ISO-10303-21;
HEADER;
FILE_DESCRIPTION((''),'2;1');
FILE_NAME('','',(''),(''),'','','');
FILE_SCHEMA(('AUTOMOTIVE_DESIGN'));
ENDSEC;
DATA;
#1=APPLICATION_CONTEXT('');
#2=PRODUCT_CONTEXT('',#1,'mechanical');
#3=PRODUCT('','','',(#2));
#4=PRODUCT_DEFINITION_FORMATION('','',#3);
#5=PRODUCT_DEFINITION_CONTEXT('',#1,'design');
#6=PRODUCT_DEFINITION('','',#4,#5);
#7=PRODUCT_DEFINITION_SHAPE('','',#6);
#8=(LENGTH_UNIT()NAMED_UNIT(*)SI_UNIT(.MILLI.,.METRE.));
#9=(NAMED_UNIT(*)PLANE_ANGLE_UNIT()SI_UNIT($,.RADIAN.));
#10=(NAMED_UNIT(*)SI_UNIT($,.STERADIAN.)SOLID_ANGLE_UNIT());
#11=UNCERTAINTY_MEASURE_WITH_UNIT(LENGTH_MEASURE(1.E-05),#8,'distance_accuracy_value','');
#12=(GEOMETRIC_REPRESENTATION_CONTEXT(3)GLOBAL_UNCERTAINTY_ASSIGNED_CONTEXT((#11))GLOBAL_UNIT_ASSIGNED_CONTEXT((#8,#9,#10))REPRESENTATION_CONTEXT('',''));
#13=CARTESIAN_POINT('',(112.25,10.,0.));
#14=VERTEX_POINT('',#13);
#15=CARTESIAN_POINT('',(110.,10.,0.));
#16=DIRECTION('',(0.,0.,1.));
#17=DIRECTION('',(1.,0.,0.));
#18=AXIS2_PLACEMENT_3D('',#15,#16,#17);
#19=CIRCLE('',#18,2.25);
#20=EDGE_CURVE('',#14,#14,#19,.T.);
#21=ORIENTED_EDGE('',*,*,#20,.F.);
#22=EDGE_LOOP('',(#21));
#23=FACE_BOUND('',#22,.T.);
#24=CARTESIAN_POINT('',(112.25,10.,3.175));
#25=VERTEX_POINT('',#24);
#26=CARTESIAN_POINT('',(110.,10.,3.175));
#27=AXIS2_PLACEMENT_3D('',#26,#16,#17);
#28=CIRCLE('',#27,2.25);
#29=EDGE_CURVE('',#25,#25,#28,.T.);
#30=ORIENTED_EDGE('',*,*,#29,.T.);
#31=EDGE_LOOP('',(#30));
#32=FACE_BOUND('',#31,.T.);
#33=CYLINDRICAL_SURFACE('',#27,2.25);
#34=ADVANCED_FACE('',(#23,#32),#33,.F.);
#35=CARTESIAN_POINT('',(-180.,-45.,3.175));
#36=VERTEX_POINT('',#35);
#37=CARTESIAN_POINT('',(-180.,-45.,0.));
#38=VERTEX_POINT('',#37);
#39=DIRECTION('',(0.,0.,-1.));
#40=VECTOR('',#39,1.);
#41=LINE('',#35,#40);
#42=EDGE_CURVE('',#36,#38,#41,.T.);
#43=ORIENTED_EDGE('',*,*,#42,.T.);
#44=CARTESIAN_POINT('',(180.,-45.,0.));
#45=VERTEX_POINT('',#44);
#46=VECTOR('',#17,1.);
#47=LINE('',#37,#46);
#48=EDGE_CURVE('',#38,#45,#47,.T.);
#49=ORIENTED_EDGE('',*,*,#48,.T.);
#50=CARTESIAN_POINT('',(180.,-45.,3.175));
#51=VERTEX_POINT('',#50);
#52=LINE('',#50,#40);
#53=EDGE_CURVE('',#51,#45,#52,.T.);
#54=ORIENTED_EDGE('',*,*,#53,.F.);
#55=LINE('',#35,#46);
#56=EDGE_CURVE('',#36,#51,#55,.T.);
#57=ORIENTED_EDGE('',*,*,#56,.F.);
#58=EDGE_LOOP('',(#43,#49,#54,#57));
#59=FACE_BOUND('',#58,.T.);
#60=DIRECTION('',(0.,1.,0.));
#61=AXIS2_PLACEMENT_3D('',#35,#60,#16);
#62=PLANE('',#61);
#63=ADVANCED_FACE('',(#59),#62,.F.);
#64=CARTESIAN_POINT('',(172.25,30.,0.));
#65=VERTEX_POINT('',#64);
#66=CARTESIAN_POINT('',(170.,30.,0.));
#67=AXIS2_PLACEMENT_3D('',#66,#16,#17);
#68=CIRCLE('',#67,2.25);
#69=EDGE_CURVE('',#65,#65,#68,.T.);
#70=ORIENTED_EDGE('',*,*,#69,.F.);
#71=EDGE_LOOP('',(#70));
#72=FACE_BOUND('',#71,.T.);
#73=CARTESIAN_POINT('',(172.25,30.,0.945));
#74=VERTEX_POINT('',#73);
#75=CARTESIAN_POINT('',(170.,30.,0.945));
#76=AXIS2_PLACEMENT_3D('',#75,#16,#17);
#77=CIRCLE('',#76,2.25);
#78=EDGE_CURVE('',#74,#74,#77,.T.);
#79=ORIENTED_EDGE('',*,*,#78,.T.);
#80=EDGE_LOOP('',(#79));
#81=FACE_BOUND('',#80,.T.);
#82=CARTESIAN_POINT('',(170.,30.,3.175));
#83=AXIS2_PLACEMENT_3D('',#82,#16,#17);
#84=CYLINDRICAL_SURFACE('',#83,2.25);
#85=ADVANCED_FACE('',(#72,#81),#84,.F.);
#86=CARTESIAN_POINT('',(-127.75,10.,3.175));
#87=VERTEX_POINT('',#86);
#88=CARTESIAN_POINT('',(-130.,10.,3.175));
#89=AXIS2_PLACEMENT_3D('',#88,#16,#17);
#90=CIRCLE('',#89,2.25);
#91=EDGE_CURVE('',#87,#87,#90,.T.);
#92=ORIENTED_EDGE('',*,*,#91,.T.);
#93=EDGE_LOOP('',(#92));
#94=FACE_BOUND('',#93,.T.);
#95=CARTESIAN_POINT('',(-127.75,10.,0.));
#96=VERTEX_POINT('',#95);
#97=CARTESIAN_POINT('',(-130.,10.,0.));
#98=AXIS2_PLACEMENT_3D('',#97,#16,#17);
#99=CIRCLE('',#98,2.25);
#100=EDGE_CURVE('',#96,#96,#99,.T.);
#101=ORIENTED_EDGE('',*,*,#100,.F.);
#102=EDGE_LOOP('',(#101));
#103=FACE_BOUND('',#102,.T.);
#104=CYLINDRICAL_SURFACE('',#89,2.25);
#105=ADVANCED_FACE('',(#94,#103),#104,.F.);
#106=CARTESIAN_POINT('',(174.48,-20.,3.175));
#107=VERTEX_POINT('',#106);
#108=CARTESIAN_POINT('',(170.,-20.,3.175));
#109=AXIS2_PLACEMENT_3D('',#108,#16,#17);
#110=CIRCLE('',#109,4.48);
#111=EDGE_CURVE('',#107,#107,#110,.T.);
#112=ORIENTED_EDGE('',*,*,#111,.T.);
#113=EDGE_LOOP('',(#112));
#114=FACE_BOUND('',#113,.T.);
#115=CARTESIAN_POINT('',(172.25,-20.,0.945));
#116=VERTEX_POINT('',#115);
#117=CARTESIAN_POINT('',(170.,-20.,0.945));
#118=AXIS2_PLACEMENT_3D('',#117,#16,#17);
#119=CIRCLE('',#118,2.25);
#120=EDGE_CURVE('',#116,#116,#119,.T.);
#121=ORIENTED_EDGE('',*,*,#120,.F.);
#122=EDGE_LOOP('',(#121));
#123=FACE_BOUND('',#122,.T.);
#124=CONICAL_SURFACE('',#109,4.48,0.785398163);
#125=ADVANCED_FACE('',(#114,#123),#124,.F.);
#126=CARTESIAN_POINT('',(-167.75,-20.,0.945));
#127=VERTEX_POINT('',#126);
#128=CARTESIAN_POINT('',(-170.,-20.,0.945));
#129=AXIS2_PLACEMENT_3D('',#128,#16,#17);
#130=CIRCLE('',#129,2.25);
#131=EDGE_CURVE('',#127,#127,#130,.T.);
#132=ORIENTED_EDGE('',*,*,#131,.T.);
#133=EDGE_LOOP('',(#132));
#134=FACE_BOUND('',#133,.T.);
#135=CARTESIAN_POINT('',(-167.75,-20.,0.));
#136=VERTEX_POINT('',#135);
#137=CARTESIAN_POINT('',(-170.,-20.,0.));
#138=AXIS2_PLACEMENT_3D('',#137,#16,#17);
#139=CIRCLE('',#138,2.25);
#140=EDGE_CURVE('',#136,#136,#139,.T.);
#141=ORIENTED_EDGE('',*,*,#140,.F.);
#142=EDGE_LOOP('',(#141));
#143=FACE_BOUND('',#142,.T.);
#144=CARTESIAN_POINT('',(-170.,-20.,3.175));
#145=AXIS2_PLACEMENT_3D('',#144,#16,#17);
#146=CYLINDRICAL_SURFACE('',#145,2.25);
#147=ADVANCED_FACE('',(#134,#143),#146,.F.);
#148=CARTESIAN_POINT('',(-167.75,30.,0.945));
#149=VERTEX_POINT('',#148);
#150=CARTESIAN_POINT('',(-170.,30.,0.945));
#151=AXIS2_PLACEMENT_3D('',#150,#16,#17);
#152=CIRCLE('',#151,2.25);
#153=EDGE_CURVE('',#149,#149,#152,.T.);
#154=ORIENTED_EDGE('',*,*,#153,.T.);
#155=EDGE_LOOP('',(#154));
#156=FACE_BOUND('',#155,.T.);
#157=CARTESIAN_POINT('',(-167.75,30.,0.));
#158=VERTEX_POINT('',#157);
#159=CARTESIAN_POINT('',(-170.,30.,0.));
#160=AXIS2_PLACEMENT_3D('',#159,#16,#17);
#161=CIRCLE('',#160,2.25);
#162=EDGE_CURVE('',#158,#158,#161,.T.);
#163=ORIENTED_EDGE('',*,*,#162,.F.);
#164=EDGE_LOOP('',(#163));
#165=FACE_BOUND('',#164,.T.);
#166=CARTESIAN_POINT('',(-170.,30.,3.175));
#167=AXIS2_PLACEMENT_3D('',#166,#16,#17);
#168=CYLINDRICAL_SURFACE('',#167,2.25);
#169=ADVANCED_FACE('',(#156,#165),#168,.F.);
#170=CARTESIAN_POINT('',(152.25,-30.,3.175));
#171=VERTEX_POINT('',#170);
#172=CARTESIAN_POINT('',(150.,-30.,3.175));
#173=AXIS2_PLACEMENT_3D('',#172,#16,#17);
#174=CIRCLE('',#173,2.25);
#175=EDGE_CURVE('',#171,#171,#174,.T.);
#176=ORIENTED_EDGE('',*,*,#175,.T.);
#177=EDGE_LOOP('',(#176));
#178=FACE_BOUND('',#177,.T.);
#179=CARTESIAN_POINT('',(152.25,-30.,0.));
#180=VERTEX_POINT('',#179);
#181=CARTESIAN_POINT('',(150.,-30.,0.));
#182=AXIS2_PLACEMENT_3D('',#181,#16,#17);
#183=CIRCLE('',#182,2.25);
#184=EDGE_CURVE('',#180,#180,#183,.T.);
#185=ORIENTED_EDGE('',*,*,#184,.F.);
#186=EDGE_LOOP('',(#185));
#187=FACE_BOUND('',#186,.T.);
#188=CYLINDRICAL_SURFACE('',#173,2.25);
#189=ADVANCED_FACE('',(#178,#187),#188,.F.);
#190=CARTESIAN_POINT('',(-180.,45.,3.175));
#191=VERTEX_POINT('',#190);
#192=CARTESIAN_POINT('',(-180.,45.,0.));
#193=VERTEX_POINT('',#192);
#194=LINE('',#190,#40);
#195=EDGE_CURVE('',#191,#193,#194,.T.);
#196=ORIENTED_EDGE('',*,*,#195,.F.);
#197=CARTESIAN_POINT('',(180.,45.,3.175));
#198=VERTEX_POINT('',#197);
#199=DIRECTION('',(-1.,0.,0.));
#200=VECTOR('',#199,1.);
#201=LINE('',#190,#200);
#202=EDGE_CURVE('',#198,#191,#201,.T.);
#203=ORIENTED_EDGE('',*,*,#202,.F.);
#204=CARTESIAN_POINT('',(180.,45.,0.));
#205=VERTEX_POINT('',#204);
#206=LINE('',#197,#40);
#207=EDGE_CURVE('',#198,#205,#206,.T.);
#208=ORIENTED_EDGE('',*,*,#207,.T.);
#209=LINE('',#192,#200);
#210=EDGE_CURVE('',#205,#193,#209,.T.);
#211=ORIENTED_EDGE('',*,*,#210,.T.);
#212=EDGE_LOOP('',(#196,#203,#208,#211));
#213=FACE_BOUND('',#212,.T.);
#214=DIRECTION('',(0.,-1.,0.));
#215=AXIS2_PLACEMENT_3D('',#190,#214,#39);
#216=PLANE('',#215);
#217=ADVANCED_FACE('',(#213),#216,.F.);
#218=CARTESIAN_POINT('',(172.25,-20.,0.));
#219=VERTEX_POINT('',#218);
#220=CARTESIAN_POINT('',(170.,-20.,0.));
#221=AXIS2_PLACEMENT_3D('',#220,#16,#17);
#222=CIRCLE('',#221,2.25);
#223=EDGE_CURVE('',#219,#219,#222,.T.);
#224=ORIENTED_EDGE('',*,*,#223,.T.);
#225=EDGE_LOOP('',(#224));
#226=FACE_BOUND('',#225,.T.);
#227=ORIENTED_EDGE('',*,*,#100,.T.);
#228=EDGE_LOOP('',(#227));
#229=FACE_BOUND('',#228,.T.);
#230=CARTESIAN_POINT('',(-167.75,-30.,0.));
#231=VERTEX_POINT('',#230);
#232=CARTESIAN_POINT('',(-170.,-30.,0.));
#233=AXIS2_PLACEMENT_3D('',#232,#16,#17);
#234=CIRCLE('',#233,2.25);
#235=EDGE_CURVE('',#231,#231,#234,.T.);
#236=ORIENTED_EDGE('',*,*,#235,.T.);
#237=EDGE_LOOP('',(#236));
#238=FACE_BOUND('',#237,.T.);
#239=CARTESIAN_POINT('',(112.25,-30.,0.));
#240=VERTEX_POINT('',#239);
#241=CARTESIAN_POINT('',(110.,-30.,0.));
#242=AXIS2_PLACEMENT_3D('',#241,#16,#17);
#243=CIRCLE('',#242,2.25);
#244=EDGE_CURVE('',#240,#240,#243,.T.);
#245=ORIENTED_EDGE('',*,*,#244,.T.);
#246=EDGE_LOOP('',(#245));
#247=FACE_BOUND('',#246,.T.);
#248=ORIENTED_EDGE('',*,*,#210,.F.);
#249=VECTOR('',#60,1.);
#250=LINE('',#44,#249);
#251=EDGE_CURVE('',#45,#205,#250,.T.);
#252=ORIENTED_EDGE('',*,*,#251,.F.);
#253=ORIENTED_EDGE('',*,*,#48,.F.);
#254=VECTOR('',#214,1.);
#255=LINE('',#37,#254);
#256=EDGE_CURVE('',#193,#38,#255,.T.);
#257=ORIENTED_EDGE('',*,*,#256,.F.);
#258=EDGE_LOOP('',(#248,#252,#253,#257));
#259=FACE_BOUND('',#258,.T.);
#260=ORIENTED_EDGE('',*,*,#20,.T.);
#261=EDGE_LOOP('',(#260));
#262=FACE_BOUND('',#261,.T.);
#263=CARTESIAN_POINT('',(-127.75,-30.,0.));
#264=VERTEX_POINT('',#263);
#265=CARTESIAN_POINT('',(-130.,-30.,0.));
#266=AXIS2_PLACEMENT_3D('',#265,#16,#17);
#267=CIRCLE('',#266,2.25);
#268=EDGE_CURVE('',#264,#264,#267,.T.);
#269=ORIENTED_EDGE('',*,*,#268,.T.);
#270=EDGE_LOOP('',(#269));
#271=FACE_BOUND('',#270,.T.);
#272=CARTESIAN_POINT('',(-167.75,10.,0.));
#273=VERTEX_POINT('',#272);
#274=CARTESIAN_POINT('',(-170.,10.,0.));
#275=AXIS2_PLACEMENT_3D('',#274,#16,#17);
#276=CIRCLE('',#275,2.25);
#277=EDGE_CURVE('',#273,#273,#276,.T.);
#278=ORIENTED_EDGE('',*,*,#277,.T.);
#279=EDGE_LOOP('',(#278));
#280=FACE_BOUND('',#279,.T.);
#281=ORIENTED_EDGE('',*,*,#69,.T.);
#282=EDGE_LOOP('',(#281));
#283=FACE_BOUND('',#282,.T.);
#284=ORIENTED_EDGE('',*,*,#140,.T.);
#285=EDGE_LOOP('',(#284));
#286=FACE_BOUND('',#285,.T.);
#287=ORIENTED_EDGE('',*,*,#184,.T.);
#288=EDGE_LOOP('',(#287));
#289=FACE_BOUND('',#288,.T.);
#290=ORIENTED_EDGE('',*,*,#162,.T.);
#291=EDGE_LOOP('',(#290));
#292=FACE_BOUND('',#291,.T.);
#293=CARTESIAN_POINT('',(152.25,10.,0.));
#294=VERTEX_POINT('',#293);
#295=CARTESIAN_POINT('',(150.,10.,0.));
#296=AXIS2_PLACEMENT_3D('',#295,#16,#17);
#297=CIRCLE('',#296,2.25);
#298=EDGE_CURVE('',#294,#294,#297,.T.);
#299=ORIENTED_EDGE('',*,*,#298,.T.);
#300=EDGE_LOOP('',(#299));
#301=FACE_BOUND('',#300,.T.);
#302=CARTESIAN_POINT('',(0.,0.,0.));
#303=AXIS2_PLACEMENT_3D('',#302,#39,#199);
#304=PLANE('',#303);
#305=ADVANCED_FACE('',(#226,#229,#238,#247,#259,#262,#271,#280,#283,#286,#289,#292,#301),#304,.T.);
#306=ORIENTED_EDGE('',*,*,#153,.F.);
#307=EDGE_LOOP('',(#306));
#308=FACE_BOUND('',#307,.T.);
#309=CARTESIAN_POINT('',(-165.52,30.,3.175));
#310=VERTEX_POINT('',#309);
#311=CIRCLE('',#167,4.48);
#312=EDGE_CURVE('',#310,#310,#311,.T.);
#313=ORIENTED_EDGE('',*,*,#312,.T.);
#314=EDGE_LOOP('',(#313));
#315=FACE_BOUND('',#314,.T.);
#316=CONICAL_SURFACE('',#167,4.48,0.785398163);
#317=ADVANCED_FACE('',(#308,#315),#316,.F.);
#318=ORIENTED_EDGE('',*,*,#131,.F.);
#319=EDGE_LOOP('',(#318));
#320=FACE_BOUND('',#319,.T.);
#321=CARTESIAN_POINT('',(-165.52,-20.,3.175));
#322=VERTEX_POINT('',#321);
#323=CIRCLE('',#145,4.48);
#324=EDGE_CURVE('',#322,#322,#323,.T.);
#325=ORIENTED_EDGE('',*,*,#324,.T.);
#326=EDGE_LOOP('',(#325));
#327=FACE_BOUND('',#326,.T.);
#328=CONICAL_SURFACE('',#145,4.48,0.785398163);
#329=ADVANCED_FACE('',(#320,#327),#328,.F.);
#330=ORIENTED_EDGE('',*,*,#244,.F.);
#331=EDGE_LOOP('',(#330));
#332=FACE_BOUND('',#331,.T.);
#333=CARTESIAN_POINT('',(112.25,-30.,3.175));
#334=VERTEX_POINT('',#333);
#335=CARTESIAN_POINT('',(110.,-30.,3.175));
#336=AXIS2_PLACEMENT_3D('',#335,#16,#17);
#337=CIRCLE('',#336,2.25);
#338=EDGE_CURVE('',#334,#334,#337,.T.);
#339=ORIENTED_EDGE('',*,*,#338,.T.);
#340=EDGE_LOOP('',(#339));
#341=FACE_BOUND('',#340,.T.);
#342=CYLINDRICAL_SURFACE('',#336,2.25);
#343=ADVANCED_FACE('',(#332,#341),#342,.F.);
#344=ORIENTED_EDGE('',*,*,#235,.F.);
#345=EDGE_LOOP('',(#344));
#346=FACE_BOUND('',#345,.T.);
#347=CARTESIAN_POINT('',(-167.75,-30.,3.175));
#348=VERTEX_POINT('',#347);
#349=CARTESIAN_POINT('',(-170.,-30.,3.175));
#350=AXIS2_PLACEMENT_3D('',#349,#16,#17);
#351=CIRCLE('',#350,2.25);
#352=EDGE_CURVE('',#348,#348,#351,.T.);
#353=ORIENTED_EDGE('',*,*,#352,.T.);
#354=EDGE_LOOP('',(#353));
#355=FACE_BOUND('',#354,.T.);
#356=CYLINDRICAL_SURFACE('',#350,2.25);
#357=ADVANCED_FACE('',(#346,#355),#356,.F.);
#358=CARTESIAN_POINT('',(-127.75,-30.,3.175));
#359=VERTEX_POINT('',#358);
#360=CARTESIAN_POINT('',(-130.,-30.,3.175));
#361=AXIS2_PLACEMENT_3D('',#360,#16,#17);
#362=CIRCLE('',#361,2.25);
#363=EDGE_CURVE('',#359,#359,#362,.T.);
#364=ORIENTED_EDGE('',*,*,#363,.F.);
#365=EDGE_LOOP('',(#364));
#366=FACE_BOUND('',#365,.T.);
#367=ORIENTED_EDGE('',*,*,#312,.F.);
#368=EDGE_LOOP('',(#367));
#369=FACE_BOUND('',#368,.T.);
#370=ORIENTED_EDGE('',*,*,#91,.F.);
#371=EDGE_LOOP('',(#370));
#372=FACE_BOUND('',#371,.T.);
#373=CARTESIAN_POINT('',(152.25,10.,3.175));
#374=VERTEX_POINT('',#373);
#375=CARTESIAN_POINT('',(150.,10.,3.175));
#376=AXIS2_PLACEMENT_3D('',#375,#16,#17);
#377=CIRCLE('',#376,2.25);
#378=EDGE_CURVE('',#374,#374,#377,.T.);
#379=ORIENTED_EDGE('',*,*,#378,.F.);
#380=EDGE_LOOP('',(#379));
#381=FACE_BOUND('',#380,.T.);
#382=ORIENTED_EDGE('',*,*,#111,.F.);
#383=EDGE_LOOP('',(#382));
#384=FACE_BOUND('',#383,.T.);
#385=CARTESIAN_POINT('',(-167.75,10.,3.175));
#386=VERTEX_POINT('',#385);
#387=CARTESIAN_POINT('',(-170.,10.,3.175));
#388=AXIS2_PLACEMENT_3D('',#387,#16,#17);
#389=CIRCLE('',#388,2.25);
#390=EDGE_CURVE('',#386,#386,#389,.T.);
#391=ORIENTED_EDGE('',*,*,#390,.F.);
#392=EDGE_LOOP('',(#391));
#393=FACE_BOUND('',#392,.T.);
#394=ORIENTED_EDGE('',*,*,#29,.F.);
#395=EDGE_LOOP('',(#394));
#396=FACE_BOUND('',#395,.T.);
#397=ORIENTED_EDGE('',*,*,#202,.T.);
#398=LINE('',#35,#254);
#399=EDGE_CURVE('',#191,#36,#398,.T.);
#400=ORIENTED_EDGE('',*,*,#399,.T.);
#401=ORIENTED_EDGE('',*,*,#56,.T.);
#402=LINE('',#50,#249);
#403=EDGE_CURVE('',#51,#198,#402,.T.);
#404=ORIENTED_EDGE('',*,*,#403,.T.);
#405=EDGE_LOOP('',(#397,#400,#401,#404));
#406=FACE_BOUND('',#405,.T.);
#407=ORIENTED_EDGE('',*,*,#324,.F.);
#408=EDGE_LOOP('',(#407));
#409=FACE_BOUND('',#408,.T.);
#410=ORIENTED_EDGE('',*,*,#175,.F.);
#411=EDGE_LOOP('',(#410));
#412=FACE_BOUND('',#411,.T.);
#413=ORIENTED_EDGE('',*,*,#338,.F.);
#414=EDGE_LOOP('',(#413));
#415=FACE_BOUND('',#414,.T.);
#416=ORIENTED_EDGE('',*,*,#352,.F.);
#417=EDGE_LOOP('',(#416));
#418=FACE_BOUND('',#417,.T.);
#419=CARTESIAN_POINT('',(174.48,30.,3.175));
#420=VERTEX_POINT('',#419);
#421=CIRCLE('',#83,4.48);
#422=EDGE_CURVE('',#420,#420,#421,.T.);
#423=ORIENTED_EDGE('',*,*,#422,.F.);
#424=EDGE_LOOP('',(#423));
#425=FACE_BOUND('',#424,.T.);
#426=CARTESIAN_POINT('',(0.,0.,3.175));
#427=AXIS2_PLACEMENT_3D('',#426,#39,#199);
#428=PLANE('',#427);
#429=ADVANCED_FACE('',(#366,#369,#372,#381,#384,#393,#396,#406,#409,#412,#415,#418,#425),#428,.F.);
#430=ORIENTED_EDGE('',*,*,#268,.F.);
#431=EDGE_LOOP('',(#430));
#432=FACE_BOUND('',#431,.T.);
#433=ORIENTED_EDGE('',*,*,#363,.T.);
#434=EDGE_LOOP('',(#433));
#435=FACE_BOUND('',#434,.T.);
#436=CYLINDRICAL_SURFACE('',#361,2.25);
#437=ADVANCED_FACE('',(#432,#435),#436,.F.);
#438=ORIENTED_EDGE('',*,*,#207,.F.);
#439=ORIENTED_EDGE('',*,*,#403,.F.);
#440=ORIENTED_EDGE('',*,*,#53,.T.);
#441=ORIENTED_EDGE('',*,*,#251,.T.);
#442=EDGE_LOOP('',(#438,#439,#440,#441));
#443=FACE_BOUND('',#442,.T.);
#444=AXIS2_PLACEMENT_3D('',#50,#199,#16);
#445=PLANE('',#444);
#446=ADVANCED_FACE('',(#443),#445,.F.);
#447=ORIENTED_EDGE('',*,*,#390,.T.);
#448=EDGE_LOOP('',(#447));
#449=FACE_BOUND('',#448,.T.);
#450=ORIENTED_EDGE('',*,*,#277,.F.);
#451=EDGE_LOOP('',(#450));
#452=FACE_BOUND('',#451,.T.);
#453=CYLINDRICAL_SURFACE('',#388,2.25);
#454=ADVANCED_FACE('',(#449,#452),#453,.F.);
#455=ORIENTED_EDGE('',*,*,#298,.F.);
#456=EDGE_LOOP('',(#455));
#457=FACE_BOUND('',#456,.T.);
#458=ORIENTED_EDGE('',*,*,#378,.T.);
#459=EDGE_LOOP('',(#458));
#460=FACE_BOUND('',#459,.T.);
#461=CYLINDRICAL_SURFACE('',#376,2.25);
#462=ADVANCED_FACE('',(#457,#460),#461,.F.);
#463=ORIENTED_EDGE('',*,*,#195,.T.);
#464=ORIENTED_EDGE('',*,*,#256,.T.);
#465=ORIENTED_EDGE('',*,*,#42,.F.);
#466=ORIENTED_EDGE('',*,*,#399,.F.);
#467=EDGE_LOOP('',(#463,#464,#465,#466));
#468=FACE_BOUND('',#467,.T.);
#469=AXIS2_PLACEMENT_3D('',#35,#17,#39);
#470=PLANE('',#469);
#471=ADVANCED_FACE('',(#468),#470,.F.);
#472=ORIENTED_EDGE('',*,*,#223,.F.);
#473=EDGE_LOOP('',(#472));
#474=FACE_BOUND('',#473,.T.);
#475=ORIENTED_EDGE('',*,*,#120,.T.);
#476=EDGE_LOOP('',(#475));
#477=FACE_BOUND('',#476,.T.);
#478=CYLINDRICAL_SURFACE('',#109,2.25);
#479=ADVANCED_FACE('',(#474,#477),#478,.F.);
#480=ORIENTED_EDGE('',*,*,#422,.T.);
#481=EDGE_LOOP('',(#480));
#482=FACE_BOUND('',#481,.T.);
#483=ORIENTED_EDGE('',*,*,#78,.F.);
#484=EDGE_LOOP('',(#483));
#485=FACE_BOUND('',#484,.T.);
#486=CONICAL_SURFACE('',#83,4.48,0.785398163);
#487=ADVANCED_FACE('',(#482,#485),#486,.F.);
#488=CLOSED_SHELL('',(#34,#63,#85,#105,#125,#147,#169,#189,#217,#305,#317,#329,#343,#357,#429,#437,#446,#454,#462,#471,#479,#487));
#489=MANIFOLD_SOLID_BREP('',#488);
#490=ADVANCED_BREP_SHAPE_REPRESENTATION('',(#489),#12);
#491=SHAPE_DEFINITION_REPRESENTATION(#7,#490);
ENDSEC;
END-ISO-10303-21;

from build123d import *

# Parameters (mm, degrees)
SKETCH1_W                    = 360
SKETCH1_H                    = 90
BOSS_EXTRUDE1_DEPTH          = 3.175
M4_CLEARANCE_HOLE1_D         = 4.5
CSK_FOR_M4_SFHCS1_AT_2_COUNT = 2
CSK_FOR_M4_SFHCS1_AT_2_PITCH = 343.656805549
CSK_FOR_M4_SFHCS1_AT_3_COUNT = 2
CSK_FOR_M4_SFHCS1_AT_3_PITCH = 340
CSK_FOR_M4_SFHCS1_AT_4_COUNT = 2
CSK_FOR_M4_SFHCS1_AT_4_PITCH = 50


with BuildPart() as part:
    # Sketch1 → Boss-Extrude1 (new body)
    with BuildSketch(Plane.XY):
        Rectangle(SKETCH1_W, SKETCH1_H)
    extrude(amount=BOSS_EXTRUDE1_DEPTH)

    # M4 Clearance Hole1 (through all)
    with Locations(Plane.XY.offset(3.175)):
        with Locations((-130, 10), (-170, -30), (-170, 10), (-130, -30), (110, 10), (150, 10), (150, -30), (110, -30)):
            Hole(M4_CLEARANCE_HOLE1_D / 2)

    # Sketch7 → CSK for M4 SFHCS1 (revolve, cut)
    with BuildSketch(Plane(origin=(170, 30, 3.175), x_dir=(0, -1, 0), z_dir=(1, 0, 0))):
        Polygon((0, 0), (0, 3.175), (2.25, 3.175), (2.25, 2.23), (4.48, 0), align=None)
    csk_for_m4_sfhcs1 = revolve(axis=Axis((170, 30, 9.525), (0, 0, -1)), mode=Mode.SUBTRACT)

    # CSK for M4 SFHCS1 at 2: CSK for M4 SFHCS1 ×2
    with Locations(*[Vector(-0.9893591353648533, -0.1454939904948314, 0) * (i * CSK_FOR_M4_SFHCS1_AT_2_PITCH) for i in range(1, CSK_FOR_M4_SFHCS1_AT_2_COUNT)]):
        add(csk_for_m4_sfhcs1, mode=Mode.SUBTRACT)

    # CSK for M4 SFHCS1 at 3: CSK for M4 SFHCS1 ×2
    with Locations(*[(-i * CSK_FOR_M4_SFHCS1_AT_3_PITCH, 0, 0) for i in range(1, CSK_FOR_M4_SFHCS1_AT_3_COUNT)]):
        add(csk_for_m4_sfhcs1, mode=Mode.SUBTRACT)

    # CSK for M4 SFHCS1 at 4: CSK for M4 SFHCS1 ×2
    with Locations(*[(0, -i * CSK_FOR_M4_SFHCS1_AT_4_PITCH, 0) for i in range(1, CSK_FOR_M4_SFHCS1_AT_4_COUNT)]):
        add(csk_for_m4_sfhcs1, mode=Mode.SUBTRACT)


solid = part.part
